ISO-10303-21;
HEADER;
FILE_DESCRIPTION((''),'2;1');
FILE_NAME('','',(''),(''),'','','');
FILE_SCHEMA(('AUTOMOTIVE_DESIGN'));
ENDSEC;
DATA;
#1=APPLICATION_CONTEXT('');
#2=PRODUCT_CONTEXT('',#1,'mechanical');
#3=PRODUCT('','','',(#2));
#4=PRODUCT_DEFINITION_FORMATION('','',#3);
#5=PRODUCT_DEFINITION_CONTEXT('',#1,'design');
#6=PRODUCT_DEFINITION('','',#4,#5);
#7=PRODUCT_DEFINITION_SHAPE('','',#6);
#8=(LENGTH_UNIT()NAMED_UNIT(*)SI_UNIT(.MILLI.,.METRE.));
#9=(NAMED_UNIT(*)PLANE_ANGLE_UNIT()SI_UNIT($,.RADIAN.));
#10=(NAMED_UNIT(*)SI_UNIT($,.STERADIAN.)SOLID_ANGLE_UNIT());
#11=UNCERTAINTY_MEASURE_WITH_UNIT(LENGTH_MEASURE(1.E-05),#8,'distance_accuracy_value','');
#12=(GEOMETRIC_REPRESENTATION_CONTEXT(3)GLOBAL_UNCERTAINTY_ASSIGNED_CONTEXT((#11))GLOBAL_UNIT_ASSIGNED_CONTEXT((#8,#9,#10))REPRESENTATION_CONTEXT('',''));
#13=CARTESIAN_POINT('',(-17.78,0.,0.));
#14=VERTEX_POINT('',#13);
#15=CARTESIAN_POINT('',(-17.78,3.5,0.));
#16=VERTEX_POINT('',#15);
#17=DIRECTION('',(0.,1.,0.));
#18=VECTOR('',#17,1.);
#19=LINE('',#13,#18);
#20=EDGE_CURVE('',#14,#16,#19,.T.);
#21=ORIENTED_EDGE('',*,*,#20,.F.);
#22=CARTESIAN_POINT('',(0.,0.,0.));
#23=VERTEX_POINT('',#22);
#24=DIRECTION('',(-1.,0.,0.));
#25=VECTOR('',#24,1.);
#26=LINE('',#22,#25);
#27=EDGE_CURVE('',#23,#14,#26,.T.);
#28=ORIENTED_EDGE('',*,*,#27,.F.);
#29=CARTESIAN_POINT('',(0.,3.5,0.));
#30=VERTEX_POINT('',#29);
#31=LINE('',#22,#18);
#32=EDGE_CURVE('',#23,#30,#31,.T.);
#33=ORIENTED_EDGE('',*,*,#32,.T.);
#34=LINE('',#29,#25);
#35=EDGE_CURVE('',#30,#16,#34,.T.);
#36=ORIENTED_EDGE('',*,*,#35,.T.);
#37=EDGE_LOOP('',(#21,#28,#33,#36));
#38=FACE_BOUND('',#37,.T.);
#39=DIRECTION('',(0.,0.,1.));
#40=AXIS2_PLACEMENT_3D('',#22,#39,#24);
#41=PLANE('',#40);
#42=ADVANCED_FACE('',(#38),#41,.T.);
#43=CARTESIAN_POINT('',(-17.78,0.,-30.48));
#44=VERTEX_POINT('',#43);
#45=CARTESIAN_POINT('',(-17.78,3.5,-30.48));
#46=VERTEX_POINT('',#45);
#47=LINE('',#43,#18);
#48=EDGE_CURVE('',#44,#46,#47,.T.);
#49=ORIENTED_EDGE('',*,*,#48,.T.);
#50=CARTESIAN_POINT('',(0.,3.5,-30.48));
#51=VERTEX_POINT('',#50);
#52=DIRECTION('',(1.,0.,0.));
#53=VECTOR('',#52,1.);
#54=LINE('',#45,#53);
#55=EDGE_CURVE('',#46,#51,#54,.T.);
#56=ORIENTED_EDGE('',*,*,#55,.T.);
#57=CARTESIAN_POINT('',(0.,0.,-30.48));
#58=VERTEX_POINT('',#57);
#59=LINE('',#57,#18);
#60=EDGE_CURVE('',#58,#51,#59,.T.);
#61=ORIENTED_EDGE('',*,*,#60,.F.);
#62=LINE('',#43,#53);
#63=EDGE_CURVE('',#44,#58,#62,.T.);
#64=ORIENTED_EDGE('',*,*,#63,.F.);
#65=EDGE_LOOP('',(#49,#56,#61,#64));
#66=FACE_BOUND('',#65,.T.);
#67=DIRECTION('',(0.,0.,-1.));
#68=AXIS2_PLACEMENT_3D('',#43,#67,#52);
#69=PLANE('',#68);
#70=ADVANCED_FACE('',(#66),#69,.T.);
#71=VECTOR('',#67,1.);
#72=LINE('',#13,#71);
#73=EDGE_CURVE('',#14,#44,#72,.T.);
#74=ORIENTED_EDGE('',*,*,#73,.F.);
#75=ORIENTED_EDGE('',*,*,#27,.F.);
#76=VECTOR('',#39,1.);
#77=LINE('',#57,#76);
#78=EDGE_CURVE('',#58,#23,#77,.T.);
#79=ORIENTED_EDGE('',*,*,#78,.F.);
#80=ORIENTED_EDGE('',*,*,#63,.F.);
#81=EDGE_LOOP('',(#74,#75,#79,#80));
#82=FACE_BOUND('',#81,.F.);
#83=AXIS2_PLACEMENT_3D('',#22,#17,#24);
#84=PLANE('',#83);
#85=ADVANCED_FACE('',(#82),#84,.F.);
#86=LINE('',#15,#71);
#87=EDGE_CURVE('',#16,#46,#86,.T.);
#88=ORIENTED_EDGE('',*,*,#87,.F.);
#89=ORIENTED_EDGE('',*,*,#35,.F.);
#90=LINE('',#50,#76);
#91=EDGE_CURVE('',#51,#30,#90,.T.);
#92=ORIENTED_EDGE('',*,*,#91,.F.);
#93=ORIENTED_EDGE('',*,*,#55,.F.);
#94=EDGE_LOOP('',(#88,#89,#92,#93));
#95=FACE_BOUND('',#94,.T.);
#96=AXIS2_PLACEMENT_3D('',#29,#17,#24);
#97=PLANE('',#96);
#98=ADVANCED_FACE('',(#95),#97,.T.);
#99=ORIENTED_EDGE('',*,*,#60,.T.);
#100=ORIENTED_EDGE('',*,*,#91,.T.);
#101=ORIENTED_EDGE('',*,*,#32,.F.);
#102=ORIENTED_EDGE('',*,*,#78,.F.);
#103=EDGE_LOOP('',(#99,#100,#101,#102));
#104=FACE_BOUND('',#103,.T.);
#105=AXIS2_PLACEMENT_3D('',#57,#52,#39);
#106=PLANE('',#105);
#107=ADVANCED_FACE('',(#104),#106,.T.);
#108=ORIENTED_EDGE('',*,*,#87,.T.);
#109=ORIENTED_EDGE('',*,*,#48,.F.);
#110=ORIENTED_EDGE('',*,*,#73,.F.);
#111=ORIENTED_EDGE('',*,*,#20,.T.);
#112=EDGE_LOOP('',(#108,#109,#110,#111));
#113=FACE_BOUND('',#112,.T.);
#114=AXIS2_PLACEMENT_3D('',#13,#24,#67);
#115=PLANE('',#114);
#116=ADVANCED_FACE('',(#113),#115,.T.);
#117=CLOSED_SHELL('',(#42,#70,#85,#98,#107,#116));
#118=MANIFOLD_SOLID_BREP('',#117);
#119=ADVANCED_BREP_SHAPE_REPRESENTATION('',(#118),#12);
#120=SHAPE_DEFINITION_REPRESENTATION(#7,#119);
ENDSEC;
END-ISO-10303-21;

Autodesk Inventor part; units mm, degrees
ref_plane "YZ Plane" through (0, 0, 0) normal (1, 0, 0) x (0, 1, 0)
ref_plane "XZ Plane" through (0, 0, 0) normal (0, 1, 0) x (-1, 0, 0)
ref_plane "XY Plane" through (0, 0, 0) normal (0, 0, 1) x (1, 0, 0)
sketch "Sketch1" plane through (0, 0, 0) normal (0, 1, 0) x (-1, 0, 0)
  line L0 (0, 0) -> (17.78, 0)
  line L1 (17.78, 0) -> (17.78, -30.48)
  line L2 (17.78, -30.48) -> (0, -30.48)
  line L3 (0, -30.48) -> (0, 0)
  dimension "d0" = 30.48
  dimension "d1" = 17.78
extrude "Extrusion1" add sketch "Sketch1" along normal blind 3.5
properties part number "Battery2"
